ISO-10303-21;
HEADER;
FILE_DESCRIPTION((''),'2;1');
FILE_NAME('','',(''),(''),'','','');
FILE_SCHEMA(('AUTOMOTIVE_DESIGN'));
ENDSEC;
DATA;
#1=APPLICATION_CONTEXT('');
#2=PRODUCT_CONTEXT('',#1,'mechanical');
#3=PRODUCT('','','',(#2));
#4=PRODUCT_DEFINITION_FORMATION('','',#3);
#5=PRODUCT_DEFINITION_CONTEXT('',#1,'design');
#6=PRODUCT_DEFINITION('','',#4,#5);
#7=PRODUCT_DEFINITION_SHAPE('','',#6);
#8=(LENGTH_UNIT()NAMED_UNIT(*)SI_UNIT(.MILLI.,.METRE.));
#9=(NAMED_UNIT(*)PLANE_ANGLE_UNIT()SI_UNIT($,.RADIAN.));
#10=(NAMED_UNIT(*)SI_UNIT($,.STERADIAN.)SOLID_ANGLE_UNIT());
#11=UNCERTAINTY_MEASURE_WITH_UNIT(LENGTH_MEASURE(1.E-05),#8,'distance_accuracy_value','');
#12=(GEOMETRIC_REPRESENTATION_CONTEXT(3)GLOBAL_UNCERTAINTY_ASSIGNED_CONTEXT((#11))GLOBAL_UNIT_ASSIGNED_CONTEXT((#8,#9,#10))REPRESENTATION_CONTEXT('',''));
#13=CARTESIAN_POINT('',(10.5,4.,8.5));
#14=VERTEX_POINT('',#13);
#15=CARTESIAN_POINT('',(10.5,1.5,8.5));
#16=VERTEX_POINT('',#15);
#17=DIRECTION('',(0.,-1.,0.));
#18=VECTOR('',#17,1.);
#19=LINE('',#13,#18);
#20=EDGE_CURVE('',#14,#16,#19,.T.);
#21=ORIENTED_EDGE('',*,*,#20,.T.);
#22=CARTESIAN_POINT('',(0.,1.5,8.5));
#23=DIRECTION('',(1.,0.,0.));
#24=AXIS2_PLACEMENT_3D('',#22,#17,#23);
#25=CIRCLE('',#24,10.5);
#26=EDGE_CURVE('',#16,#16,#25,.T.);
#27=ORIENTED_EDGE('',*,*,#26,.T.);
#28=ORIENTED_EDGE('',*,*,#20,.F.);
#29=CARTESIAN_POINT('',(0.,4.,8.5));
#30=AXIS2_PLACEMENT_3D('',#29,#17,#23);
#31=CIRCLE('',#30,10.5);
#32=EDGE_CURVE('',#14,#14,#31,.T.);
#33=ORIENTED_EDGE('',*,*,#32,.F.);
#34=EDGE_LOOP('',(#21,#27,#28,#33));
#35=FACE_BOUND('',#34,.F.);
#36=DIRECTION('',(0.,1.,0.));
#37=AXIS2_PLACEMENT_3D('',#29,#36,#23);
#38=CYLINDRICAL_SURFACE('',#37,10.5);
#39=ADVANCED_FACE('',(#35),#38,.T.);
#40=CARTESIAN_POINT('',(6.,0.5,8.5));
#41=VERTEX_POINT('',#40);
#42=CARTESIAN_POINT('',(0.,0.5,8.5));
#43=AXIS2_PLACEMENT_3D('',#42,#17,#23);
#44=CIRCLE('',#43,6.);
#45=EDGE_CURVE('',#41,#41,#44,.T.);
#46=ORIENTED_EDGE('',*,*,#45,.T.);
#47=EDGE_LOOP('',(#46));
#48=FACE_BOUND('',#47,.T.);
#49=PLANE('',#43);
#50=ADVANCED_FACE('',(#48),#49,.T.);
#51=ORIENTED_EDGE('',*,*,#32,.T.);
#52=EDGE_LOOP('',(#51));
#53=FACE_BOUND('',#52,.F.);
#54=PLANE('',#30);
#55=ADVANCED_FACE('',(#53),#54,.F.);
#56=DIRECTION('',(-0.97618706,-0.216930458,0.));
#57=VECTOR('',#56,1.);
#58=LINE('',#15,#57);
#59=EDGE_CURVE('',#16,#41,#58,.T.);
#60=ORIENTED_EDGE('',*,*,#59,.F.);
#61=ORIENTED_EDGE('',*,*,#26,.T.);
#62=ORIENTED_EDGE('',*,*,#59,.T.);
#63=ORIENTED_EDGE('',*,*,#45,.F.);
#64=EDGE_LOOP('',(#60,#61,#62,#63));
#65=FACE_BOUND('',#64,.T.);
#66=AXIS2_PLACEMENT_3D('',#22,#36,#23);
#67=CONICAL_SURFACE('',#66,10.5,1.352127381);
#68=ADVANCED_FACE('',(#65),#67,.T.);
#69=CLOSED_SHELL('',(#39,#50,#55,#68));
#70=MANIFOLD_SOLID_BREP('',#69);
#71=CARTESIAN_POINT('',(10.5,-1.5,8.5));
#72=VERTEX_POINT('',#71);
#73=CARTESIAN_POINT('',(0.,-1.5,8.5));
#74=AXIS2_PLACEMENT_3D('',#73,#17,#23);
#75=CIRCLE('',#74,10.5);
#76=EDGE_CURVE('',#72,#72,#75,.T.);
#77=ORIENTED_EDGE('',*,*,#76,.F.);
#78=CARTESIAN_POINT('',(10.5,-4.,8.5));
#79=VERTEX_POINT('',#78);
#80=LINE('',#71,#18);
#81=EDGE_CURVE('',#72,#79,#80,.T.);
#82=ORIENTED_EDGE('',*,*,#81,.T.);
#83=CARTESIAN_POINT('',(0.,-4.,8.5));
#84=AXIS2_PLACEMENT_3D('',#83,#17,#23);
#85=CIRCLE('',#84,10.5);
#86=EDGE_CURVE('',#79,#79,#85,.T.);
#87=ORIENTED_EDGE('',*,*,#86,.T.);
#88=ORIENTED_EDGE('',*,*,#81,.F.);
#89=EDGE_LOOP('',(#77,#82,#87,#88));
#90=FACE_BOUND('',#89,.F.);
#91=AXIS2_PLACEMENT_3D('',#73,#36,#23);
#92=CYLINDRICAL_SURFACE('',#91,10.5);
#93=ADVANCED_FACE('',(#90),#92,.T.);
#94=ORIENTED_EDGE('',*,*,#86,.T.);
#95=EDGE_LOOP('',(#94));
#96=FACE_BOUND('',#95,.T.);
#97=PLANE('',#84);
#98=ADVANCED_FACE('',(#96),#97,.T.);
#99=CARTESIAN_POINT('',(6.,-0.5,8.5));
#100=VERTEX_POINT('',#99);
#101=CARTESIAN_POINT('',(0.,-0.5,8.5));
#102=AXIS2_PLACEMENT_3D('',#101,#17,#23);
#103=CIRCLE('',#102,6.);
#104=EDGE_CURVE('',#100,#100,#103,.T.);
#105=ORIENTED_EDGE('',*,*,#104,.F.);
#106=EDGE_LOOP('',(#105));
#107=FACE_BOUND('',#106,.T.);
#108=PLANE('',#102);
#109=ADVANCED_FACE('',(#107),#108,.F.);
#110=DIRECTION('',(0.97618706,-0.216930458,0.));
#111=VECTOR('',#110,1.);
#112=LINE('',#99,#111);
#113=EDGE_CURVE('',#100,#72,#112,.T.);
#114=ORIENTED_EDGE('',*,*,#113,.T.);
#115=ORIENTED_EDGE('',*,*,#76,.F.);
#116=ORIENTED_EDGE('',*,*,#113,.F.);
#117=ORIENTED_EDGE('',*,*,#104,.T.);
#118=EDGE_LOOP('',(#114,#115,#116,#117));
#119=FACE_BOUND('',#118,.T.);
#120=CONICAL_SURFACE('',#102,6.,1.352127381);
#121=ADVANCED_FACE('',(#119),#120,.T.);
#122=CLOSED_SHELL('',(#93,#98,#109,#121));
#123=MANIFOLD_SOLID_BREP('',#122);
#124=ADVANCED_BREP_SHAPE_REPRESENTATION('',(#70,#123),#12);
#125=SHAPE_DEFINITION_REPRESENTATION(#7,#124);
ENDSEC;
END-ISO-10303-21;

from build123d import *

# Parameters (mm, degrees)
CONE001_ROLL_ANGLE     = 90
CYLINDER006_R          = 10.5
CYLINDER006_DEPTH      = 2.5
CYLINDER006_ROLL_ANGLE = 90
CYLINDER005_R          = 10.5
CYLINDER005_DEPTH      = 2.5
CYLINDER005_ROLL_ANGLE = 90
CONE_ROLL_ANGLE        = 90


with BuildPart() as cone001:
    # Cone001 → Cone001 (revolve)
    with BuildSketch(Plane.XZ):
        Polygon((0, 0), (10.5, 0), (6, 1), (0, 1), align=None)
    revolve(axis=Axis((0, 0, 0), (0, 0, 1)))


with BuildPart() as cone001_1:
    # Cone001 roll: moved
    add(cone001.part.rotate(Axis((0, 0, 0), (1, 0, 0)), CONE001_ROLL_ANGLE))


with BuildPart() as cone001_2:
    # Cone001 placement: moved
    add(cone001_1.part.moved(Location((0, 1.5, 8.5))))


with BuildPart() as cylinder006:
    # Cylinder006 → Cylinder006 (new body)
    with BuildSketch(Plane.XY):
        Circle(CYLINDER006_R)
    extrude(amount=CYLINDER006_DEPTH)


with BuildPart() as cylinder006_1:
    # Cylinder006 roll: moved
    add(cylinder006.part.rotate(Axis((0, 0, 0), (1, 0, 0)), CYLINDER006_ROLL_ANGLE))


with BuildPart() as cylinder006_2:
    # Cylinder006 placement: moved
    add(cylinder006_1.part.moved(Location((0, 4, 8.5))))


with BuildPart() as cylinder005:
    # Cylinder005 → Cylinder005 (new body)
    with BuildSketch(Plane.XY):
        Circle(CYLINDER005_R)
    extrude(amount=CYLINDER005_DEPTH)


with BuildPart() as cylinder005_1:
    # Cylinder005 roll: moved
    add(cylinder005.part.rotate(Axis((0, 0, 0), (1, 0, 0)), CYLINDER005_ROLL_ANGLE))


with BuildPart() as cylinder005_2:
    # Cylinder005 placement: moved
    add(cylinder005_1.part.moved(Location((0, -1.5, 8.5))))


with BuildPart() as fusion005:
    # Cone → Cone (revolve)
    with BuildSketch(Plane.XZ):
        Polygon((0, 0), (6, 0), (10.5, 1), (0, 1), align=None)
    revolve(axis=Axis((0, 0, 0), (0, 0, 1)))


with BuildPart() as fusion005_1:
    # Cone roll: moved
    add(fusion005.part.rotate(Axis((0, 0, 0), (1, 0, 0)), CONE_ROLL_ANGLE))


with BuildPart() as fusion005_2:
    # Cone placement: moved
    add(fusion005_1.part.moved(Location((0, -0.5, 8.5))))

    # Fusion005: union Cone001, Cylinder006, Cylinder005
    add(cone001_2.part)
    add(cylinder006_2.part)
    add(cylinder005_2.part)


solid = fusion005_2.part
